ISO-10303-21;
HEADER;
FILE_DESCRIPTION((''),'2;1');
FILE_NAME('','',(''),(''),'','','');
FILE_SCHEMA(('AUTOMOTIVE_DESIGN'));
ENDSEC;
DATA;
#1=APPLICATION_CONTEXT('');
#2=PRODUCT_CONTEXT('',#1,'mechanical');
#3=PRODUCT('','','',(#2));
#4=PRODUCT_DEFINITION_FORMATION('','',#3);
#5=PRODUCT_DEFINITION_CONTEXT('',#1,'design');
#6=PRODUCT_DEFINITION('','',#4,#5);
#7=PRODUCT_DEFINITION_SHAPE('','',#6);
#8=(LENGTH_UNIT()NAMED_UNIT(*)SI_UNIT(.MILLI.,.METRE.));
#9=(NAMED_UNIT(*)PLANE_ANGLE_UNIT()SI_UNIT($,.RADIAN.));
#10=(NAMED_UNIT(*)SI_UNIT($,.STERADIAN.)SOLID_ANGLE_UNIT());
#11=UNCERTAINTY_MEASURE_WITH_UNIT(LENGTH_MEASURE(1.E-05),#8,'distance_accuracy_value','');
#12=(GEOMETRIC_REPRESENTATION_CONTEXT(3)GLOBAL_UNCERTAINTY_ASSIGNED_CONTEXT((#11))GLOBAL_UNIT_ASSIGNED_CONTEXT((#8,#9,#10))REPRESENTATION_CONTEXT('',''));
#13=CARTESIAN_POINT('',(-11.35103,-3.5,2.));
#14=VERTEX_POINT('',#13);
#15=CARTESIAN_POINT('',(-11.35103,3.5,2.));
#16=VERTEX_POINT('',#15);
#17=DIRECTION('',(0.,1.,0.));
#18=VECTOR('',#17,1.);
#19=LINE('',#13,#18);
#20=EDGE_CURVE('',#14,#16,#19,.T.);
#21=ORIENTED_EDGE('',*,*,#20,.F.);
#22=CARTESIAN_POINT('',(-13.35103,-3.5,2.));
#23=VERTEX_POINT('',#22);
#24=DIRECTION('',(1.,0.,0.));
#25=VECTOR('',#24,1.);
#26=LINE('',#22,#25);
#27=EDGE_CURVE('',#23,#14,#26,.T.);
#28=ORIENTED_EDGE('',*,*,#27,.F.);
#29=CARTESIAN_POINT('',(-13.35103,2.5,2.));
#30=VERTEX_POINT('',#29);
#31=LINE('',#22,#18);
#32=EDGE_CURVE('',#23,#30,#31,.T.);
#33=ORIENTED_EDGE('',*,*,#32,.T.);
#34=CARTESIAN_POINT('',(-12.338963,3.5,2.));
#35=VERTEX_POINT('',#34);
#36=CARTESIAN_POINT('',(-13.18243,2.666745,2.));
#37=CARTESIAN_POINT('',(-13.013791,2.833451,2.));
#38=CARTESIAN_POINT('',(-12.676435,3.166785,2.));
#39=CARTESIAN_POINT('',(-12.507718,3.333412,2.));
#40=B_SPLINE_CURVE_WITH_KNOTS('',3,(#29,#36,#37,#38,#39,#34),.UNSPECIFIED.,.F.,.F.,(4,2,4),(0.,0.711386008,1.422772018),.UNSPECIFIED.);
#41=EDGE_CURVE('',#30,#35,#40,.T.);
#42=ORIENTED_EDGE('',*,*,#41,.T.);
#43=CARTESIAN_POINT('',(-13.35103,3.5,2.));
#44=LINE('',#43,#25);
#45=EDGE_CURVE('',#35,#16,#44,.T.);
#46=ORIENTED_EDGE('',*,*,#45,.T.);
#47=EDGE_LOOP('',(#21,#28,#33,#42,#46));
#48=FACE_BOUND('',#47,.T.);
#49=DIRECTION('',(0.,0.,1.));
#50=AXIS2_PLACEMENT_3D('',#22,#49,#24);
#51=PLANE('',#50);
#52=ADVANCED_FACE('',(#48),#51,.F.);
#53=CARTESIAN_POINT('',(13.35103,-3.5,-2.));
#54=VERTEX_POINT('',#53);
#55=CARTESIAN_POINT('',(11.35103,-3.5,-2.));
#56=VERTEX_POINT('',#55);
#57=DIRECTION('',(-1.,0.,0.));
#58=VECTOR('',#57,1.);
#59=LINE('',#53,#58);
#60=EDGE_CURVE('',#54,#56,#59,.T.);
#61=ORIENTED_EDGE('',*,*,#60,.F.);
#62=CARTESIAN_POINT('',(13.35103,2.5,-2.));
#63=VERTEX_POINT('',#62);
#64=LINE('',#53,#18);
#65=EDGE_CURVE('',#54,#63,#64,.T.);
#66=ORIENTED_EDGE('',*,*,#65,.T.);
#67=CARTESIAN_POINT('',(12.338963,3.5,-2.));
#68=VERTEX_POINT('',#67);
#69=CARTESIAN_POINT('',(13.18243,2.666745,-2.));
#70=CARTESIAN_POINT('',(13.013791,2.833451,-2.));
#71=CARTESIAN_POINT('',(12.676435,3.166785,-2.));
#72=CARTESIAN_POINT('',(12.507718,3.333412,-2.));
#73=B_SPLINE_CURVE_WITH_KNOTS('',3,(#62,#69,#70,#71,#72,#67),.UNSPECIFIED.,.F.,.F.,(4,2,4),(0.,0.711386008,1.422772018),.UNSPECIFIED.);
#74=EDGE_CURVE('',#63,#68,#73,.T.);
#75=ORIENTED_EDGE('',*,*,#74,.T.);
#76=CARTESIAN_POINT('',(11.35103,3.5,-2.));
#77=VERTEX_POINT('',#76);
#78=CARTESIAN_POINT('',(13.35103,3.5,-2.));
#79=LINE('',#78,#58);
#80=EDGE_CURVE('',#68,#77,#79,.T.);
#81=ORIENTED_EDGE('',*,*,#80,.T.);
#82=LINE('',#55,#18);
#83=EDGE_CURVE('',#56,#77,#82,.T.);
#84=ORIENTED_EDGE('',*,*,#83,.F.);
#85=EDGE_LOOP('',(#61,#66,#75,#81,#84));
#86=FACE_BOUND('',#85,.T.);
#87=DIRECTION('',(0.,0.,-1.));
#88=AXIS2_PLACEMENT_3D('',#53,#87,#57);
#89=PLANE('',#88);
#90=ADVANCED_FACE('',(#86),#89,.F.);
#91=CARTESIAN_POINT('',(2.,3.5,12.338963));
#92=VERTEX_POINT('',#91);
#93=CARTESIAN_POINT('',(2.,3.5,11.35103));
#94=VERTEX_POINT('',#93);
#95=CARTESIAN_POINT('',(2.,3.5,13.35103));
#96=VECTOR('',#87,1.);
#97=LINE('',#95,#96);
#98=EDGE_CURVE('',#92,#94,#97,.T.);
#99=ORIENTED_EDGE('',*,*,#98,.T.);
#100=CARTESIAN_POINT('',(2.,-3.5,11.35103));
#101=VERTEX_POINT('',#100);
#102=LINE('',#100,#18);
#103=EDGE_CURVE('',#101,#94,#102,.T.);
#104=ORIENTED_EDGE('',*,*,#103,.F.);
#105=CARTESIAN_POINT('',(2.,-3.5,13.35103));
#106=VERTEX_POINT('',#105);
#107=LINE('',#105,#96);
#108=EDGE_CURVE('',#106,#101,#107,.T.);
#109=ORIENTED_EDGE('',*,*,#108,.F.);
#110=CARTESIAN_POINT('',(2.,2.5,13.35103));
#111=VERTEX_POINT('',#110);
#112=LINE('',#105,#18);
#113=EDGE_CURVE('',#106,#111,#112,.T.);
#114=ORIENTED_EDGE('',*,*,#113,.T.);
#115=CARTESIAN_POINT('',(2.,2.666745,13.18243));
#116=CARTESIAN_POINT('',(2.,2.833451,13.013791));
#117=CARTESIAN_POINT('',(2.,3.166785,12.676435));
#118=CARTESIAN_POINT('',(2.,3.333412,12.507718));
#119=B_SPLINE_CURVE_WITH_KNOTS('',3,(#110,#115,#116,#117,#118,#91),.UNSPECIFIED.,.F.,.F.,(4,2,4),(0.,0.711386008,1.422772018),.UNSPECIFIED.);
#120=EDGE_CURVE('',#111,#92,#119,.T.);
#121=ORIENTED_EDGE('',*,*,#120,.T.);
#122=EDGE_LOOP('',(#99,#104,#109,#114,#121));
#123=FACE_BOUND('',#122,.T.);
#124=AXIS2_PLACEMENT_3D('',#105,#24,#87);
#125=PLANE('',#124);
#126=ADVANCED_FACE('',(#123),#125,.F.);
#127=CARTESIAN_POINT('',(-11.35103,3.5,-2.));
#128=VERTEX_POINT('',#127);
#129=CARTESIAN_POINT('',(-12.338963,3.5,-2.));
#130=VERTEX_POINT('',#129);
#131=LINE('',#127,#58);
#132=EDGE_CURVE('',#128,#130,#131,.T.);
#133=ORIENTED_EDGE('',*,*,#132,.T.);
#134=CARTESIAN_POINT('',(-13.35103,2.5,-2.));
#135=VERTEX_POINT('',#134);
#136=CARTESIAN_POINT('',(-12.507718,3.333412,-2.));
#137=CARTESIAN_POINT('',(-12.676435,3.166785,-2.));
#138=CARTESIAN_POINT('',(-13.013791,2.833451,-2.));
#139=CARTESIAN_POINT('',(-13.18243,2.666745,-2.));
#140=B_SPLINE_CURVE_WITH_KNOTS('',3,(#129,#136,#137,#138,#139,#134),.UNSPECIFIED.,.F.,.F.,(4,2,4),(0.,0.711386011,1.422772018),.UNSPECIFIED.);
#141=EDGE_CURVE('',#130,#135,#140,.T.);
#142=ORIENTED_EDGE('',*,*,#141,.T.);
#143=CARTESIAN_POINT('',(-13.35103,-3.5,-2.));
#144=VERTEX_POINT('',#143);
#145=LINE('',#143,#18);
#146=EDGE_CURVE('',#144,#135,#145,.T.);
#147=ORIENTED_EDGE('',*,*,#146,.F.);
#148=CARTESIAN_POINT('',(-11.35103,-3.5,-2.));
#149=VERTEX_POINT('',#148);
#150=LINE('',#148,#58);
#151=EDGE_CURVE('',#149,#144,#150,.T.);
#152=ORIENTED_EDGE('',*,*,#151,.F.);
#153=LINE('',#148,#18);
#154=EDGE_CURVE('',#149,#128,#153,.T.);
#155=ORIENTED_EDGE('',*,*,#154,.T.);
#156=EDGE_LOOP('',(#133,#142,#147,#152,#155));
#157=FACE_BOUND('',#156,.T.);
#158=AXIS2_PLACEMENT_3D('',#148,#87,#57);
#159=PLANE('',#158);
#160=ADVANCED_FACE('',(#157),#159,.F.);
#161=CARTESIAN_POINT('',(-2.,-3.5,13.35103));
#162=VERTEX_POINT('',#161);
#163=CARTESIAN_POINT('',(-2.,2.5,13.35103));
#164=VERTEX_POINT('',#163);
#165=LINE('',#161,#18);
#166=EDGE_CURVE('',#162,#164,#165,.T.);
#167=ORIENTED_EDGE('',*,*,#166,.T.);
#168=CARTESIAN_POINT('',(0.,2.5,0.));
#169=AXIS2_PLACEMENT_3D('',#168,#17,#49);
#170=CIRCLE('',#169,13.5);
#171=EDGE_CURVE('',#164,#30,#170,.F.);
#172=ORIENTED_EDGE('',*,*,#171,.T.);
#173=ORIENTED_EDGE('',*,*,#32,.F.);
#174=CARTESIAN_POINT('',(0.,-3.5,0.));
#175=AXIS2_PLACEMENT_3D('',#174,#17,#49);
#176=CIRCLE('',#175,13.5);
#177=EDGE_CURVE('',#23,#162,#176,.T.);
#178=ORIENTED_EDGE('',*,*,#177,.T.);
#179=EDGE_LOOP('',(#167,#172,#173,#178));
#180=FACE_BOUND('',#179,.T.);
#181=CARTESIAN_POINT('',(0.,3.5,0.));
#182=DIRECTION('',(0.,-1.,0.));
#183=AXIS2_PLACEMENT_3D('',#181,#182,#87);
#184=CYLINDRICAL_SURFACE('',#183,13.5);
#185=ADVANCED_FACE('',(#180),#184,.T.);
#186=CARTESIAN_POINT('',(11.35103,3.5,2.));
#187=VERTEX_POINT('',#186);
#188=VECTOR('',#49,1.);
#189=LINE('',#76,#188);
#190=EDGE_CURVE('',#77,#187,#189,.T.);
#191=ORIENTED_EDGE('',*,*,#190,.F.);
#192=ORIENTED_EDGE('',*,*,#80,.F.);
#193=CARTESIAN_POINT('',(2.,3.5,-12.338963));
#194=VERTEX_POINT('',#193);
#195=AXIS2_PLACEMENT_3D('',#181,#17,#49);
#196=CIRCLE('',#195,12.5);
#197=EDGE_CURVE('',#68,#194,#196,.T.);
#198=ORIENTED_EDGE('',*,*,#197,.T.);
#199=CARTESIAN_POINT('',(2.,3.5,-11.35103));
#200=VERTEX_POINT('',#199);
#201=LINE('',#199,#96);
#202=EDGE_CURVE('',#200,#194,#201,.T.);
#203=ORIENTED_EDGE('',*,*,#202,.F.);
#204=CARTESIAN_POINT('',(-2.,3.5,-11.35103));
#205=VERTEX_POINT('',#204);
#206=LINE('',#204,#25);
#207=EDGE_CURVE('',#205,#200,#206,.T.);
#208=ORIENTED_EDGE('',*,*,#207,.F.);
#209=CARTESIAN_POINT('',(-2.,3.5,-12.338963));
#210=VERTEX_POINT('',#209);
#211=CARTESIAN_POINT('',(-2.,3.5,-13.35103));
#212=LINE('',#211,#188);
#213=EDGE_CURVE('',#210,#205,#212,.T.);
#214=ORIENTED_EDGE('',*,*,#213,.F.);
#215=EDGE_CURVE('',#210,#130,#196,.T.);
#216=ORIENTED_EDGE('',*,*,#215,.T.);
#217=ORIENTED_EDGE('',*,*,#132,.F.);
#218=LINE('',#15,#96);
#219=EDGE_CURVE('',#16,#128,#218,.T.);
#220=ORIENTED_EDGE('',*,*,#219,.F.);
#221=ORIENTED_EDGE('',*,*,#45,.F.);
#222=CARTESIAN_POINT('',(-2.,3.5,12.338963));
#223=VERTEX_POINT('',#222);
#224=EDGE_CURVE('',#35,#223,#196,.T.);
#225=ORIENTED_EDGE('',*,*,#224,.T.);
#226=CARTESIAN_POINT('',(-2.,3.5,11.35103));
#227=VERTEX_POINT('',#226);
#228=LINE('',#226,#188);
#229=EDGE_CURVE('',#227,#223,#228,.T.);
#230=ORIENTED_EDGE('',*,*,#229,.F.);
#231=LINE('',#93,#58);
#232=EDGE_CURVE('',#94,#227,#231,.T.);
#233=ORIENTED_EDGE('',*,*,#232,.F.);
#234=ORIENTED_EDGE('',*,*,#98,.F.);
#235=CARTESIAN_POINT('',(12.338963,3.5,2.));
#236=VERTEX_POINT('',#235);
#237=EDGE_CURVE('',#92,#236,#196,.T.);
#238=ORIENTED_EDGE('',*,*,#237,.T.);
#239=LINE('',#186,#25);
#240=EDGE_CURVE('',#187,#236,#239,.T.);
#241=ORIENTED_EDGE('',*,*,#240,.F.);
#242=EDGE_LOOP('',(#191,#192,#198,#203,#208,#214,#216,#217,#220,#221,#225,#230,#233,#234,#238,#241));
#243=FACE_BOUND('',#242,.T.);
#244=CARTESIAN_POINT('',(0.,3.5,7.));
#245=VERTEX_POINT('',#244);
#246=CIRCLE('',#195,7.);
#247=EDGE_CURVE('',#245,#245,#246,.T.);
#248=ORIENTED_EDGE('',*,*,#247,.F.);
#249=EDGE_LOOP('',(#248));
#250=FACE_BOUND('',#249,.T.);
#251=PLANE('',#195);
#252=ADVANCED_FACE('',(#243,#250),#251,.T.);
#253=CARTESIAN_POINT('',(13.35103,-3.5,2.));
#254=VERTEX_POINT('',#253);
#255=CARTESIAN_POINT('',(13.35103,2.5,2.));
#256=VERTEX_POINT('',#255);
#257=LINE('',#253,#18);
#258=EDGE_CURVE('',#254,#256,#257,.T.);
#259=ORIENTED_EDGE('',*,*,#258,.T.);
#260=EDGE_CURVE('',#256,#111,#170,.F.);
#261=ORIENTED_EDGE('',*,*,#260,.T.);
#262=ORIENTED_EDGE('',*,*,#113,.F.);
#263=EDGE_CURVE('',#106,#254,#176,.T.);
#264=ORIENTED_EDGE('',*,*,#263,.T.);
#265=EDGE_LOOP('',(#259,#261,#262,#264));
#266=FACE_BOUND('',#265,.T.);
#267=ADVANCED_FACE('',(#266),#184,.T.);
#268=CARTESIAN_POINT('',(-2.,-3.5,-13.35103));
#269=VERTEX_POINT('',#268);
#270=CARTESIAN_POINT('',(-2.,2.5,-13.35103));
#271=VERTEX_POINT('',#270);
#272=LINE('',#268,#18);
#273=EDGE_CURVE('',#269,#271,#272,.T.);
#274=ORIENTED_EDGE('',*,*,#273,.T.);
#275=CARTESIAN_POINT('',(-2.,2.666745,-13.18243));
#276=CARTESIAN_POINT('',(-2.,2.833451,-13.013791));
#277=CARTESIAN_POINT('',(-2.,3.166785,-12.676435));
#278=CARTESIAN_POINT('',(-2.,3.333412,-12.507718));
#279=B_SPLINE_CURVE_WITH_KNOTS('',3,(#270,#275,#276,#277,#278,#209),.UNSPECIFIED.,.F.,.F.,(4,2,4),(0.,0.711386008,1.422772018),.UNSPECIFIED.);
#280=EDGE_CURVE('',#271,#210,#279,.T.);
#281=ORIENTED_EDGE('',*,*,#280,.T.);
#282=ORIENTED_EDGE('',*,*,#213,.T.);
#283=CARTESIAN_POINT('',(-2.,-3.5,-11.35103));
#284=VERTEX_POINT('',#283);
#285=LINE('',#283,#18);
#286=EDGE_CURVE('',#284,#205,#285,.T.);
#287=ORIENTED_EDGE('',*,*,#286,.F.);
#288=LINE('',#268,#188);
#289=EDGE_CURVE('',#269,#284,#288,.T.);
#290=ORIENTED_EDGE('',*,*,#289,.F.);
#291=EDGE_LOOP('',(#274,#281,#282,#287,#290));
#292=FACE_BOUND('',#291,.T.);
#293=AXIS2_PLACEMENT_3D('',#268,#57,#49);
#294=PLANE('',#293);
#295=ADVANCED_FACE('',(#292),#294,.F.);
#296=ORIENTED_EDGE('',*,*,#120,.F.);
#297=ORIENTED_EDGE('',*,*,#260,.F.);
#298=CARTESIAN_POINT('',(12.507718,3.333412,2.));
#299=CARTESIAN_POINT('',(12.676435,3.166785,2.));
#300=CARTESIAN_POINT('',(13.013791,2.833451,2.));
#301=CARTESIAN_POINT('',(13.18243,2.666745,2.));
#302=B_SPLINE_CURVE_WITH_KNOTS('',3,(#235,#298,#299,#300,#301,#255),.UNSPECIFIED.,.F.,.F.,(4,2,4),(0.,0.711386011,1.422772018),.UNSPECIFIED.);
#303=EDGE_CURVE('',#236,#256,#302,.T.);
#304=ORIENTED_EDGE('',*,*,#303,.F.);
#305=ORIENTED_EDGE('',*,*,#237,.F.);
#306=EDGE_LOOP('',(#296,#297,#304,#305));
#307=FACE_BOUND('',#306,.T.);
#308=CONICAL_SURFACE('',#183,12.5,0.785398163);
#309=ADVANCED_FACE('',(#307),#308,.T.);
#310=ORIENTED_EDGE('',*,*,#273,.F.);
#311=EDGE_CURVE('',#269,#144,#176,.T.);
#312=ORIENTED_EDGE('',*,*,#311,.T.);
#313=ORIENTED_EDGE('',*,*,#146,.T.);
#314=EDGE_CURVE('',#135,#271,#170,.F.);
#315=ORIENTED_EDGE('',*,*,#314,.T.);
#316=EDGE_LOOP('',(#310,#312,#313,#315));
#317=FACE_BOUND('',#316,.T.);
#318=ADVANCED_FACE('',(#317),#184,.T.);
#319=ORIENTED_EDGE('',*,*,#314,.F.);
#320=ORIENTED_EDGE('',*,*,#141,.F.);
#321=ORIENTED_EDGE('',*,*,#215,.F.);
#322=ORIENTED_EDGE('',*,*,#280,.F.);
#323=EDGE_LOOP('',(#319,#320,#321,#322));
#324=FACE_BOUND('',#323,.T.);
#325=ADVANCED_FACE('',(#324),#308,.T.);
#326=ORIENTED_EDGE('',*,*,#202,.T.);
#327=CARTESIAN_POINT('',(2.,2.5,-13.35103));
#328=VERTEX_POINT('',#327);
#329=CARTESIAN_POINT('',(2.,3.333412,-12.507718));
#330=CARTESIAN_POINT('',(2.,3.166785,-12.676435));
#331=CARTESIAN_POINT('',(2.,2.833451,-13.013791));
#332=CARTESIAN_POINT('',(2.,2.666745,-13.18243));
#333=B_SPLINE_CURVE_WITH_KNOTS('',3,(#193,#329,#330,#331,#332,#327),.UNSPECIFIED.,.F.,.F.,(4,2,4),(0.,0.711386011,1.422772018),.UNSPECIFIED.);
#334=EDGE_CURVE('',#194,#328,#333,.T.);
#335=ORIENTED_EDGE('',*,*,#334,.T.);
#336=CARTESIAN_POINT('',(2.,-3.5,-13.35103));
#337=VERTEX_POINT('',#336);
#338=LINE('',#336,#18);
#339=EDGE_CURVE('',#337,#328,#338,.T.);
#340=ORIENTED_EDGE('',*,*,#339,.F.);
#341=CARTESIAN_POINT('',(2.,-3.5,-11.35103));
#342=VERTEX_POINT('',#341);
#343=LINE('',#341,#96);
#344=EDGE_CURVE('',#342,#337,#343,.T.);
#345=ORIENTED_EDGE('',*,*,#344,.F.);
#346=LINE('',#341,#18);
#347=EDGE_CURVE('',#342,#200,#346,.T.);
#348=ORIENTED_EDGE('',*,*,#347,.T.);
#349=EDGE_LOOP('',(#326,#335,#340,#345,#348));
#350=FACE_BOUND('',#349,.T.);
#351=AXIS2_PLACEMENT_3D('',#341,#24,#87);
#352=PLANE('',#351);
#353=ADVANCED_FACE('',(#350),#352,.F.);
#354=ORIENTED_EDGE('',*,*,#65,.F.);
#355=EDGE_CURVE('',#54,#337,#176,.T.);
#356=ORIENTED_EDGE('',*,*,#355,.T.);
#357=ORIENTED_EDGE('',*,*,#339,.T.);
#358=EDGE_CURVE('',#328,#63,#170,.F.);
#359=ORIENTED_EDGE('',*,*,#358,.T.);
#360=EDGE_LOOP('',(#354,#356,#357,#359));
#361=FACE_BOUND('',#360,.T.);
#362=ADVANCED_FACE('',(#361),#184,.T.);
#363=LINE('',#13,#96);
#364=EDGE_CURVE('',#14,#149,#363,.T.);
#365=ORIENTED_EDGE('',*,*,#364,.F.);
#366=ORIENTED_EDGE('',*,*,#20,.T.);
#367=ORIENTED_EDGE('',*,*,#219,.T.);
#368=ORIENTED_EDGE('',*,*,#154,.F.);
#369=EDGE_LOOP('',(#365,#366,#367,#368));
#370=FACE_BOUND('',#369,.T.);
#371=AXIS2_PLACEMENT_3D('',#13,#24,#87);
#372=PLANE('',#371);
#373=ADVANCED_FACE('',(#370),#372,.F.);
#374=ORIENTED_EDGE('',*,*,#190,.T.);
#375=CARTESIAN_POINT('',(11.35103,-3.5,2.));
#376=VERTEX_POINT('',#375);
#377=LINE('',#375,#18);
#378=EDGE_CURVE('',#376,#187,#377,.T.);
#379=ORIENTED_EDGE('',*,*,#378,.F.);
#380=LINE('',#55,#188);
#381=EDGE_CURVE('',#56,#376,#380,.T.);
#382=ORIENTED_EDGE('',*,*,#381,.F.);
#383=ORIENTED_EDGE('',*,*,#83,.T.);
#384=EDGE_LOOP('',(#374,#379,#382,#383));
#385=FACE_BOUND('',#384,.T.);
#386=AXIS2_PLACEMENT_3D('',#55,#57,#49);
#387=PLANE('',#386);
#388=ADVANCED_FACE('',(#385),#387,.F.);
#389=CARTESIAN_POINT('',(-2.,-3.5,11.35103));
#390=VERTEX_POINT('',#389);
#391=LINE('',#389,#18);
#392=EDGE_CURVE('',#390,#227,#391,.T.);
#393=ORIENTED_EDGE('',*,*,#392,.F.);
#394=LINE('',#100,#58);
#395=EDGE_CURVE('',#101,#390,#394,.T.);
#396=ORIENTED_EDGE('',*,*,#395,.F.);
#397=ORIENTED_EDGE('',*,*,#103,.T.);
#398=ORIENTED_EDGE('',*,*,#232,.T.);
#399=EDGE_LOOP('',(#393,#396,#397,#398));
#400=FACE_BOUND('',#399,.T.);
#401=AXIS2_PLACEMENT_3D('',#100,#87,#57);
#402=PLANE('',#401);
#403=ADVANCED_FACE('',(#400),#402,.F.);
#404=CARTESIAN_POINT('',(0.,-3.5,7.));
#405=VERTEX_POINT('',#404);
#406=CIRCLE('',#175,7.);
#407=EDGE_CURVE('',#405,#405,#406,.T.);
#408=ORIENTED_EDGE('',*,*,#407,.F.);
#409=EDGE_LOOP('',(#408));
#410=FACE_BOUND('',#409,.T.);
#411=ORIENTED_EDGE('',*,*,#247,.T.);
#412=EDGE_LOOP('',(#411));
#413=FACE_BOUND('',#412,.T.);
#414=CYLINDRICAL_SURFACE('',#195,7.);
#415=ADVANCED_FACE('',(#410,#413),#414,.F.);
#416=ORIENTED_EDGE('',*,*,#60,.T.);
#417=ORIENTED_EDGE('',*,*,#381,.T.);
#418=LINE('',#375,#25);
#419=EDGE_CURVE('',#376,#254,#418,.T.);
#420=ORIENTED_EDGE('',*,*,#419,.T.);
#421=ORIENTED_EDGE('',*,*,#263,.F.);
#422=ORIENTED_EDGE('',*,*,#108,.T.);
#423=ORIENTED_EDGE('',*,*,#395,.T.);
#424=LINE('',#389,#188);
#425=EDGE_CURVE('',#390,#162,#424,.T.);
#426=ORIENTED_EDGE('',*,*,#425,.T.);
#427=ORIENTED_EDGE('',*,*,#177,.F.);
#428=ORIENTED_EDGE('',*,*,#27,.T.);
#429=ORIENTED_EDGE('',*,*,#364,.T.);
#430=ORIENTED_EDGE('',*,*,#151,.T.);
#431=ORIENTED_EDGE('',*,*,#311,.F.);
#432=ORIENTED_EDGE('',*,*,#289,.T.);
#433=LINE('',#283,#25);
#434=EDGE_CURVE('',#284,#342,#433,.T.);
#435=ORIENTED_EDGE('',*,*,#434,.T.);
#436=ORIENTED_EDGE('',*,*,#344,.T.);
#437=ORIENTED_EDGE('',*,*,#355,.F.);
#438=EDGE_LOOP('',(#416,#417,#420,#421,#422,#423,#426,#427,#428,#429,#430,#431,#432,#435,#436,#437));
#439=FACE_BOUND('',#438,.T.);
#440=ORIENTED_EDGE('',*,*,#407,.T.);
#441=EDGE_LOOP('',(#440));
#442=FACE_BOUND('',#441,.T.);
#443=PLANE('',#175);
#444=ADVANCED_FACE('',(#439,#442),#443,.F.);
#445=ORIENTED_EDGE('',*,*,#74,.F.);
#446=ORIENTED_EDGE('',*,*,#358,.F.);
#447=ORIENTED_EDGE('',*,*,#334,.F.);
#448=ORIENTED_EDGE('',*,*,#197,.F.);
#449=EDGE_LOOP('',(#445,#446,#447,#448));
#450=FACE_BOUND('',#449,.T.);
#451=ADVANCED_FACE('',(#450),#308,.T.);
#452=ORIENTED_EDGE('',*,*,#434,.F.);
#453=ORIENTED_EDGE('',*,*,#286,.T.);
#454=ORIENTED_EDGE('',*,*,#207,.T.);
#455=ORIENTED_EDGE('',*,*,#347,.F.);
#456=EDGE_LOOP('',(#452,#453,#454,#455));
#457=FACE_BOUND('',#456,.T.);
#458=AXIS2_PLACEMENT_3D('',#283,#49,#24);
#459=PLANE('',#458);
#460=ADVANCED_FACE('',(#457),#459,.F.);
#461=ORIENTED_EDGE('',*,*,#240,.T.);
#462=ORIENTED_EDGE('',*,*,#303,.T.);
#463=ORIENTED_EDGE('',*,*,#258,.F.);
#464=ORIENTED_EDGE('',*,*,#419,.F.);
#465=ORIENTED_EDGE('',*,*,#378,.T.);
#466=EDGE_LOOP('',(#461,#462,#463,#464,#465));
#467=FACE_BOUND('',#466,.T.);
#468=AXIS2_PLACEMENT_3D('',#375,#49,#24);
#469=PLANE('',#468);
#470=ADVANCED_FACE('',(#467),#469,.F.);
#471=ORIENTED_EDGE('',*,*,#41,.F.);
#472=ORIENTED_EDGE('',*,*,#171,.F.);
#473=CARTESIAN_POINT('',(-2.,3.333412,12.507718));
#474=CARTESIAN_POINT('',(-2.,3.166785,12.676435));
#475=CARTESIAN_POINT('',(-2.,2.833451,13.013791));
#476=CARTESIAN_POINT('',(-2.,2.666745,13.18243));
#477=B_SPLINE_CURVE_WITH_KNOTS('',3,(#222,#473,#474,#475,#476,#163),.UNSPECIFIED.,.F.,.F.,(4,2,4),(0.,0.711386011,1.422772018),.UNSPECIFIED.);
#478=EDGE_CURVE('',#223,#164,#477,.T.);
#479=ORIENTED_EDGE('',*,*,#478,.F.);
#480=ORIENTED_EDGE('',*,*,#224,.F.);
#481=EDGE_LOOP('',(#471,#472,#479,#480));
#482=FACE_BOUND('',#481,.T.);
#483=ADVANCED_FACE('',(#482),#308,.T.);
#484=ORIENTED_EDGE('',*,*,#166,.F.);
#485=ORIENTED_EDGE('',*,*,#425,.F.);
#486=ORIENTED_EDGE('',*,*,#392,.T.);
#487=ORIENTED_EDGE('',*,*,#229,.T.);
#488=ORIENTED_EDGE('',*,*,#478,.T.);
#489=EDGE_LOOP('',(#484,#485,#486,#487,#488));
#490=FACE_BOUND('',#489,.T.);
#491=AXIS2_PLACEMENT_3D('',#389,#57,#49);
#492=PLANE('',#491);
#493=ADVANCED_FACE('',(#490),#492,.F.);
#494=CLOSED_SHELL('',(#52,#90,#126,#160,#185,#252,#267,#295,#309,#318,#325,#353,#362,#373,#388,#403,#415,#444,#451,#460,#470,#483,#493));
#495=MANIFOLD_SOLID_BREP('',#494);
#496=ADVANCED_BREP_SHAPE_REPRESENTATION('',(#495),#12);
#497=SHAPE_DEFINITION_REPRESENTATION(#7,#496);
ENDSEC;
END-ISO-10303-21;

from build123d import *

# Parameters (mm, degrees)
SKETCH1_R               = 13.5
BOSS_EXTRUDE1_DEPTH     = 3.5
CUT_EXTRUDE1_DEPTH      = 4.5
CUT_EXTRUDE1_DEPTH_BACK = 4.5
CHAMFER1_SIZE           = 1
M16_TAPPED_HOLE1_D      = 14
M16_TAPPED_HOLE1_DEPTH  = 7


with BuildPart() as part:
    # Sketch1 → Boss-Extrude1 (new body, symmetric)
    with BuildSketch(Plane(origin=(0, 0, 0), x_dir=(1, 0, 0), z_dir=(0, 1, 0))):
        Circle(SKETCH1_R)
    extrude(amount=BOSS_EXTRUDE1_DEPTH, both=True)

    # Sketch2 → Cut-Extrude1 (cut, two sides)
    with BuildSketch(Plane(origin=(0, 0, 0), x_dir=(1, 0, 0), z_dir=(0, 1, 0))) as cut_extrude1_sk:
        with BuildLine():
            Line((-2, 13.351029923), (-2, 11.351029923))
            Line((-2, 11.351029923), (2, 11.351029923))
            Line((2, 11.351029923), (2, 13.351029923))
            ThreePointArc((2, 13.351029923), (0, 13.5), (-2, 13.351029923))
        make_face()
        with BuildLine():
            Line((13.351029923, 2), (11.351029923, 2))
            Line((11.351029923, 2), (11.351029923, -2))
            Line((11.351029923, -2), (13.351029923, -2))
            ThreePointArc((13.351029923, -2), (13.5, 0), (13.351029923, 2))
        make_face()
        with BuildLine():
            Line((2, -13.351029923), (2, -11.351029923))
            Line((2, -11.351029923), (-2, -11.351029923))
            Line((-2, -11.351029923), (-2, -13.351029923))
            ThreePointArc((-2, -13.351029923), (0, -13.5), (2, -13.351029923))
        make_face()
        with BuildLine():
            Line((-13.351029923, -2), (-11.351029923, -2))
            Line((-11.351029923, -2), (-11.351029923, 2))
            Line((-11.351029923, 2), (-13.351029923, 2))
            ThreePointArc((-13.351029923, 2), (-13.5, 0), (-13.351029923, -2))
        make_face()
    extrude(amount=CUT_EXTRUDE1_DEPTH, mode=Mode.SUBTRACT)
    extrude(cut_extrude1_sk.sketch, amount=-CUT_EXTRUDE1_DEPTH_BACK, mode=Mode.SUBTRACT)

    # Chamfer1
    chamfer1_edges = [part.edges().sort_by_distance(p)[0] for p in [
        (9.545941546, 3.5, -9.545941546),
        (-9.545941546, 3.5, -9.545941546),
        (-9.545941546, 3.5, 9.545941546),
        (9.545941546, 3.5, 9.545941546),
    ]]
    chamfer(chamfer1_edges, length=CHAMFER1_SIZE)

    # M16 Tapped Hole1
    with Locations(Plane(origin=(0, 3.5, 0), x_dir=(1, 0, 0), z_dir=(0, 1, 0))):
        with Locations((0, 0)):
            Hole(M16_TAPPED_HOLE1_D / 2, depth=M16_TAPPED_HOLE1_DEPTH)


solid = part.part
